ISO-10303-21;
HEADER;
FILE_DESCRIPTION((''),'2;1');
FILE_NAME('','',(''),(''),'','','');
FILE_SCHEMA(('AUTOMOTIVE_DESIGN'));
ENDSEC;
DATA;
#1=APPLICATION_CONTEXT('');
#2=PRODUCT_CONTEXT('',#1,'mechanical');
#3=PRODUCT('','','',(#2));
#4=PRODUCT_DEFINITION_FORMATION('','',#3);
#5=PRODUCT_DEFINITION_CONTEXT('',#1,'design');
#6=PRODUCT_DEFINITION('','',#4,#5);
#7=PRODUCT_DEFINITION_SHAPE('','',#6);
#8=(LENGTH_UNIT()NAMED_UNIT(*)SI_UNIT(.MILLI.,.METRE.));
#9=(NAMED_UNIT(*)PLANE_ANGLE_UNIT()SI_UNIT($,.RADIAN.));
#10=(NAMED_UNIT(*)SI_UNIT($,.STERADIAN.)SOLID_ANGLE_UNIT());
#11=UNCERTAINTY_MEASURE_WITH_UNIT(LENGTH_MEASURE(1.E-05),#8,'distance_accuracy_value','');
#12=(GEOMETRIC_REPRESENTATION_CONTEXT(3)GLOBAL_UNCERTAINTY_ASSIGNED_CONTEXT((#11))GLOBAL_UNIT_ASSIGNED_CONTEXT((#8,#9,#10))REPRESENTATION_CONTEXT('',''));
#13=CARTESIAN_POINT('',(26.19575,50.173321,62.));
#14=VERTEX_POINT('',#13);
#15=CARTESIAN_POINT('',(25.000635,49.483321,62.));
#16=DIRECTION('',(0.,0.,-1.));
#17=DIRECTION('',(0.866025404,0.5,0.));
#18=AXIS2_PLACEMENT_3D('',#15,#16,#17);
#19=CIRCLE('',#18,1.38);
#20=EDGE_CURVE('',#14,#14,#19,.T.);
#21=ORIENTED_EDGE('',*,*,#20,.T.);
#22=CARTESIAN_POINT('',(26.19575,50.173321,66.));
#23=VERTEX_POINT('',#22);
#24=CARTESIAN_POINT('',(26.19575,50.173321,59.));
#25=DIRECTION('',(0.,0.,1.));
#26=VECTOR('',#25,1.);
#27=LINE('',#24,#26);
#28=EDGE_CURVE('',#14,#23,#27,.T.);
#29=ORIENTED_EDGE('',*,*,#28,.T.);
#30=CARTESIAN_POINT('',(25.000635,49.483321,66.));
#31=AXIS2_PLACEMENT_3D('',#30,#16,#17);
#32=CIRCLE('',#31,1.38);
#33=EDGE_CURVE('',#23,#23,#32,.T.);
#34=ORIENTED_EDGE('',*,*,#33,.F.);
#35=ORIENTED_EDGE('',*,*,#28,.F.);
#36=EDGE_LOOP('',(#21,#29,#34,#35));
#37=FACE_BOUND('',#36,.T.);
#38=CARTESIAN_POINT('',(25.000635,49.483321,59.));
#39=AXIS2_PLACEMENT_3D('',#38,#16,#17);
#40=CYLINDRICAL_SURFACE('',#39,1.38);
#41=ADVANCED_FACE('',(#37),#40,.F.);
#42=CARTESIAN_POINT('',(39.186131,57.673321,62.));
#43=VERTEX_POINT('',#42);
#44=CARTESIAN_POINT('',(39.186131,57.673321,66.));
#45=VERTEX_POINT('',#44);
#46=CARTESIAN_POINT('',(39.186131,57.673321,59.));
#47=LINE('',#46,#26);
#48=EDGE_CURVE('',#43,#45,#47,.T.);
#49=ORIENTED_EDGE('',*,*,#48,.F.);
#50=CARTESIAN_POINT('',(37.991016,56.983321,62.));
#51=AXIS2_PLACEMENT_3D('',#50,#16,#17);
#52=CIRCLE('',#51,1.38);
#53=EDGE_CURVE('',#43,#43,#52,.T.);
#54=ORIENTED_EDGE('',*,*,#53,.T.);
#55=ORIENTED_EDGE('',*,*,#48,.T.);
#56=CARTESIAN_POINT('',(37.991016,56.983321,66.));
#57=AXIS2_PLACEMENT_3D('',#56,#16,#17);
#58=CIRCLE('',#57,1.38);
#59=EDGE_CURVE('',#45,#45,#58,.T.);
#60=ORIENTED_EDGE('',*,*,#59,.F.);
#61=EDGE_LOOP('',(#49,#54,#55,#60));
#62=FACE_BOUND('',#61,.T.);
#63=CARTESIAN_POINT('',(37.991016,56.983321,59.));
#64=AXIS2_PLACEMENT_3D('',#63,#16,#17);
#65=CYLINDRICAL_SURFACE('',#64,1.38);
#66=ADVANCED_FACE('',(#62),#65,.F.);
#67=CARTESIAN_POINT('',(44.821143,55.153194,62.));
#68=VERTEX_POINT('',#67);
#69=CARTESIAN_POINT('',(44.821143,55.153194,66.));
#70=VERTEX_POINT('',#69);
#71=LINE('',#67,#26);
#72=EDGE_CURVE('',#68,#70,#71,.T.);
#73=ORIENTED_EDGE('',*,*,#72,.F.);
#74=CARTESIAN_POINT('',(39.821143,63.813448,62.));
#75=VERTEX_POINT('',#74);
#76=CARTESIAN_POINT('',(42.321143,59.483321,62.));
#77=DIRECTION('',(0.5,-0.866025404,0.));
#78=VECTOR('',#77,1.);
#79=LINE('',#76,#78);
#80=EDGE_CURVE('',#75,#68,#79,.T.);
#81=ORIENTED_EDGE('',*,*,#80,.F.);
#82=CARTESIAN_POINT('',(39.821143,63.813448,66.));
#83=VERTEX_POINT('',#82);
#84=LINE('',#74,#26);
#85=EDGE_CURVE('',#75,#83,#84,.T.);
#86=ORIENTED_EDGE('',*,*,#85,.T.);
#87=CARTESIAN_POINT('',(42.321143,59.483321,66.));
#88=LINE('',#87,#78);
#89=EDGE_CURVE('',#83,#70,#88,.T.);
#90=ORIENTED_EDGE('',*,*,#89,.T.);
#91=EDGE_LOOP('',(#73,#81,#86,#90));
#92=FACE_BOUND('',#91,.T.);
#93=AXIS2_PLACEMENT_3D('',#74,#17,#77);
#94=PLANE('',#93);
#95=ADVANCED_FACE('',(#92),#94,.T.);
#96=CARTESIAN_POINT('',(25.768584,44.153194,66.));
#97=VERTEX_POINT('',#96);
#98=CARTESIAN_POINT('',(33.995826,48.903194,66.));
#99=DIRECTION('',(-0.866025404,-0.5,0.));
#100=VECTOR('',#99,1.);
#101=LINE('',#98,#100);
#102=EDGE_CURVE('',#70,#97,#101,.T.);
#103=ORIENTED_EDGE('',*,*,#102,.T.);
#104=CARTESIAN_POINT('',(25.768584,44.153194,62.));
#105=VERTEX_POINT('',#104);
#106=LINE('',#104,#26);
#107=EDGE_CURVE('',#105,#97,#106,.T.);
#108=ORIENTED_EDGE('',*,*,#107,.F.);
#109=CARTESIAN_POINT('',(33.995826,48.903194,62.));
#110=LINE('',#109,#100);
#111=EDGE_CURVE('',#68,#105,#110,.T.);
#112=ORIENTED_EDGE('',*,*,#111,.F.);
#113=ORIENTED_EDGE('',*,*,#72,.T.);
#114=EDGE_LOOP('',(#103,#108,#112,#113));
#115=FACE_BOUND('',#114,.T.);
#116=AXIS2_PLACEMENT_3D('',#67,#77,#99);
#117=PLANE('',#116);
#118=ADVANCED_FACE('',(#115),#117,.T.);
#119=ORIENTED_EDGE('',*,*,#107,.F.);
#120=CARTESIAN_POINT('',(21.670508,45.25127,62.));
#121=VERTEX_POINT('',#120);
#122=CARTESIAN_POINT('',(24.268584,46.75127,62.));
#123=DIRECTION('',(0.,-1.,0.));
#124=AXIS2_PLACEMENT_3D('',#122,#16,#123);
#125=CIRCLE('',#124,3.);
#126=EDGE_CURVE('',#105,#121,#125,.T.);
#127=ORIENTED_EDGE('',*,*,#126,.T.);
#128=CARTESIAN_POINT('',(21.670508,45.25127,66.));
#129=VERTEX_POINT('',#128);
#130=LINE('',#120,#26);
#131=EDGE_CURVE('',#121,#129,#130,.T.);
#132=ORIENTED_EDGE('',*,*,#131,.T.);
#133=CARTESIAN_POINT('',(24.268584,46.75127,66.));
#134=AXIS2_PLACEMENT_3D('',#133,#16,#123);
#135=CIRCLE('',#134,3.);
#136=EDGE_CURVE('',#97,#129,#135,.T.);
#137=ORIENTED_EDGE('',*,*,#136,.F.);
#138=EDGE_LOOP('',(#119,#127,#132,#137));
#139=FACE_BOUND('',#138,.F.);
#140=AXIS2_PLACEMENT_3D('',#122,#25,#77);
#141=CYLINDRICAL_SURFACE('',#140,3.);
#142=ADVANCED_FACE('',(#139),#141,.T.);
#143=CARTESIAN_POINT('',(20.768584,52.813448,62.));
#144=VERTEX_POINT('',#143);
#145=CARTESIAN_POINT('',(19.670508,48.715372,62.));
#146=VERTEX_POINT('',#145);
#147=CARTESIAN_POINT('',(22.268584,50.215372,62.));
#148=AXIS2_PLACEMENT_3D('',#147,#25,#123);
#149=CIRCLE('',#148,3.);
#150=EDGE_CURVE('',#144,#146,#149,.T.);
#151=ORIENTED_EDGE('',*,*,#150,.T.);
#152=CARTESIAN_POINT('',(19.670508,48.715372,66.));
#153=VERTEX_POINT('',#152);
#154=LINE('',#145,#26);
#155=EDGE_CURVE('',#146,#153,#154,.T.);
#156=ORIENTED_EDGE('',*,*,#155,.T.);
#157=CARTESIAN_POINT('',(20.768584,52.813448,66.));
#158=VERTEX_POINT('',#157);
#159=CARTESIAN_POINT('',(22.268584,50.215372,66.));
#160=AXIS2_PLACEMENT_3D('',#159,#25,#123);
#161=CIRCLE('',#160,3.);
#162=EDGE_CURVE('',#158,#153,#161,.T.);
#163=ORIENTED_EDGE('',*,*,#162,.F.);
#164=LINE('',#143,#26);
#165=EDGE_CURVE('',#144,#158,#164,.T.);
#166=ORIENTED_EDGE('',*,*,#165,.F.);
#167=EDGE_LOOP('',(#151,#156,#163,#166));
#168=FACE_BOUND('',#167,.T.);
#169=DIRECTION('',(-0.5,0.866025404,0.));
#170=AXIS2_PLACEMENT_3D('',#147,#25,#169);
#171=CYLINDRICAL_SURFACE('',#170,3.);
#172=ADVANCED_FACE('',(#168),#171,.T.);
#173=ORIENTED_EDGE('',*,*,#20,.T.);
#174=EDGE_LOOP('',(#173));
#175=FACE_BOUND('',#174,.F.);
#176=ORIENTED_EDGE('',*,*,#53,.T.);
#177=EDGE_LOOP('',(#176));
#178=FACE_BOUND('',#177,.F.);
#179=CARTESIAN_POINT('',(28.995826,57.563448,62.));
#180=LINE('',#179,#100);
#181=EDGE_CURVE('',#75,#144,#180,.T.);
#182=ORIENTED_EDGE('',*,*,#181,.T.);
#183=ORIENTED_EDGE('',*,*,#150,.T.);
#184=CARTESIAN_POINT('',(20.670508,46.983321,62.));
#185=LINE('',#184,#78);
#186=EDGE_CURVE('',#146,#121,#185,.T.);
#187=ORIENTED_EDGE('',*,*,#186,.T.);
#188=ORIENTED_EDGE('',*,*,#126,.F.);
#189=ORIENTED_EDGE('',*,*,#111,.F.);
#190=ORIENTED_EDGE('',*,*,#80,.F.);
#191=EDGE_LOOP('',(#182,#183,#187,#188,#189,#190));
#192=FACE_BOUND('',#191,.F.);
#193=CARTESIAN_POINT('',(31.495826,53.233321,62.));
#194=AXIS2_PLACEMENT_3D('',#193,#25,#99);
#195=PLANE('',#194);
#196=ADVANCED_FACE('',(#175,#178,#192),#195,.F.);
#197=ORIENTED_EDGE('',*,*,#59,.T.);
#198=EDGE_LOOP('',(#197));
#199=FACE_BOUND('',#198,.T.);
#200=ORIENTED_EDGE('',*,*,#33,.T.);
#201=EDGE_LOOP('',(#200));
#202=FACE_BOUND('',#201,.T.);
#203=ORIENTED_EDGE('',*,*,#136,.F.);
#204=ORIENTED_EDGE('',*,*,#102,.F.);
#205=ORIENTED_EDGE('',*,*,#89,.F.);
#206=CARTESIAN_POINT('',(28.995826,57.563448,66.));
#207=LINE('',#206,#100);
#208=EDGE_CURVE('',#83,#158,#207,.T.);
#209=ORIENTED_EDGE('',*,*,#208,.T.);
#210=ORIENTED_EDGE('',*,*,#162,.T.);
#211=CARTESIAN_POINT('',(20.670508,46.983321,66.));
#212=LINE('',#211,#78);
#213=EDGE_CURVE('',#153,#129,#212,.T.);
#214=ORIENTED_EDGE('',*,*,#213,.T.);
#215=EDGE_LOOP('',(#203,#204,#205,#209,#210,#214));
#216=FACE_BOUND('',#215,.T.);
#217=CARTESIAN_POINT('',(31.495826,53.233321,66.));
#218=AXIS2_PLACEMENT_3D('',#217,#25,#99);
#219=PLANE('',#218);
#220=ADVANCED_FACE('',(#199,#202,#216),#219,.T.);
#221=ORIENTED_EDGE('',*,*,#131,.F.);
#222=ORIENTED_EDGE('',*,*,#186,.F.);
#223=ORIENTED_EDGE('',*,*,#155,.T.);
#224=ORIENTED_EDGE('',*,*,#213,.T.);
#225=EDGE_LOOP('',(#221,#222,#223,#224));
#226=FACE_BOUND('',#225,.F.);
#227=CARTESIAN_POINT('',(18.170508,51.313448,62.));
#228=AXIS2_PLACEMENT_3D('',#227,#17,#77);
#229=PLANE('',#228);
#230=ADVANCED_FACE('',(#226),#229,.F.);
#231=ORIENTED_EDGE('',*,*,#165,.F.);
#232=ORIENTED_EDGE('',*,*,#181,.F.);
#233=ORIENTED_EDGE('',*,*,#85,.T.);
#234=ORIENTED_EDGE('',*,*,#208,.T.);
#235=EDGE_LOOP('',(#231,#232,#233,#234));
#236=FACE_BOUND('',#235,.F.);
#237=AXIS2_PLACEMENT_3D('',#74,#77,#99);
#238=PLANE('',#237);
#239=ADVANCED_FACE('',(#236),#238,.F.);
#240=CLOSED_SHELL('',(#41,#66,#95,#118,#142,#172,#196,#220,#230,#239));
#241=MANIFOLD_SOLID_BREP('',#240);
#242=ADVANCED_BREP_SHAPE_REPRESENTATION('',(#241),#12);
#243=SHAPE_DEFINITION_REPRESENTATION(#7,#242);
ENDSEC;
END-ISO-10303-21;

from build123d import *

# Parameters (mm, degrees)
CYLINDER047_R          = 1.38
CYLINDER047_DEPTH      = 10
CYLINDER046_R          = 1.38
CYLINDER046_DEPTH      = 10
BOX027_W               = 25
BOX027_H               = 10
BOX027_DEPTH           = 4
CUT026_PLACEMENT_ANGLE = 30
FILLET002_R            = 3


with BuildPart() as cylinder047:
    # Cylinder047 → Cylinder047 (new body)
    with BuildSketch(Plane(origin=(25, 52, 59), x_dir=(1, 0, 0), z_dir=(0, 0, 1))):
        Circle(CYLINDER047_R)
    extrude(amount=CYLINDER047_DEPTH)


with BuildPart() as cylinder046:
    # Cylinder046 → Cylinder046 (new body)
    with BuildSketch(Plane(origin=(40, 52, 59), x_dir=(1, 0, 0), z_dir=(0, 0, 1))):
        Circle(CYLINDER046_R)
    extrude(amount=CYLINDER046_DEPTH)


with BuildPart() as fillet002:
    # Box027 → Box027 (new body)
    with BuildSketch(Plane(origin=(45, 57, 62), x_dir=(-1, 0, 0), z_dir=(0, 0, 1))):
        with Locations((12.5, 5)):
            Rectangle(BOX027_W, BOX027_H)
    extrude(amount=BOX027_DEPTH)

    # Cut027: cut Cylinder046
    add(cylinder046.part, mode=Mode.SUBTRACT)

    # Cut026: cut Cylinder047
    add(cylinder047.part, mode=Mode.SUBTRACT)


with BuildPart() as fillet002_1:
    # Cut026 placement: moved
    add(fillet002.part.moved(Location((31.35, -13.05, 0))).rotate(Axis((31.35, -13.05, 0), (0, 0, 1)), CUT026_PLACEMENT_ANGLE))

    # Fillet002
    fillet002_edges = [fillet002_1.edges().sort_by_distance(p)[0] for p in [
        (20.170508, 46.313448, 64),
        (25.170508, 37.653194, 64),
    ]]
    fillet(fillet002_edges, radius=FILLET002_R)


with BuildPart() as fillet002_2:
    # Fillet002 placement: moved
    add(fillet002_1.part.moved(Location((-2, 5, 0))))


solid = fillet002_2.part
